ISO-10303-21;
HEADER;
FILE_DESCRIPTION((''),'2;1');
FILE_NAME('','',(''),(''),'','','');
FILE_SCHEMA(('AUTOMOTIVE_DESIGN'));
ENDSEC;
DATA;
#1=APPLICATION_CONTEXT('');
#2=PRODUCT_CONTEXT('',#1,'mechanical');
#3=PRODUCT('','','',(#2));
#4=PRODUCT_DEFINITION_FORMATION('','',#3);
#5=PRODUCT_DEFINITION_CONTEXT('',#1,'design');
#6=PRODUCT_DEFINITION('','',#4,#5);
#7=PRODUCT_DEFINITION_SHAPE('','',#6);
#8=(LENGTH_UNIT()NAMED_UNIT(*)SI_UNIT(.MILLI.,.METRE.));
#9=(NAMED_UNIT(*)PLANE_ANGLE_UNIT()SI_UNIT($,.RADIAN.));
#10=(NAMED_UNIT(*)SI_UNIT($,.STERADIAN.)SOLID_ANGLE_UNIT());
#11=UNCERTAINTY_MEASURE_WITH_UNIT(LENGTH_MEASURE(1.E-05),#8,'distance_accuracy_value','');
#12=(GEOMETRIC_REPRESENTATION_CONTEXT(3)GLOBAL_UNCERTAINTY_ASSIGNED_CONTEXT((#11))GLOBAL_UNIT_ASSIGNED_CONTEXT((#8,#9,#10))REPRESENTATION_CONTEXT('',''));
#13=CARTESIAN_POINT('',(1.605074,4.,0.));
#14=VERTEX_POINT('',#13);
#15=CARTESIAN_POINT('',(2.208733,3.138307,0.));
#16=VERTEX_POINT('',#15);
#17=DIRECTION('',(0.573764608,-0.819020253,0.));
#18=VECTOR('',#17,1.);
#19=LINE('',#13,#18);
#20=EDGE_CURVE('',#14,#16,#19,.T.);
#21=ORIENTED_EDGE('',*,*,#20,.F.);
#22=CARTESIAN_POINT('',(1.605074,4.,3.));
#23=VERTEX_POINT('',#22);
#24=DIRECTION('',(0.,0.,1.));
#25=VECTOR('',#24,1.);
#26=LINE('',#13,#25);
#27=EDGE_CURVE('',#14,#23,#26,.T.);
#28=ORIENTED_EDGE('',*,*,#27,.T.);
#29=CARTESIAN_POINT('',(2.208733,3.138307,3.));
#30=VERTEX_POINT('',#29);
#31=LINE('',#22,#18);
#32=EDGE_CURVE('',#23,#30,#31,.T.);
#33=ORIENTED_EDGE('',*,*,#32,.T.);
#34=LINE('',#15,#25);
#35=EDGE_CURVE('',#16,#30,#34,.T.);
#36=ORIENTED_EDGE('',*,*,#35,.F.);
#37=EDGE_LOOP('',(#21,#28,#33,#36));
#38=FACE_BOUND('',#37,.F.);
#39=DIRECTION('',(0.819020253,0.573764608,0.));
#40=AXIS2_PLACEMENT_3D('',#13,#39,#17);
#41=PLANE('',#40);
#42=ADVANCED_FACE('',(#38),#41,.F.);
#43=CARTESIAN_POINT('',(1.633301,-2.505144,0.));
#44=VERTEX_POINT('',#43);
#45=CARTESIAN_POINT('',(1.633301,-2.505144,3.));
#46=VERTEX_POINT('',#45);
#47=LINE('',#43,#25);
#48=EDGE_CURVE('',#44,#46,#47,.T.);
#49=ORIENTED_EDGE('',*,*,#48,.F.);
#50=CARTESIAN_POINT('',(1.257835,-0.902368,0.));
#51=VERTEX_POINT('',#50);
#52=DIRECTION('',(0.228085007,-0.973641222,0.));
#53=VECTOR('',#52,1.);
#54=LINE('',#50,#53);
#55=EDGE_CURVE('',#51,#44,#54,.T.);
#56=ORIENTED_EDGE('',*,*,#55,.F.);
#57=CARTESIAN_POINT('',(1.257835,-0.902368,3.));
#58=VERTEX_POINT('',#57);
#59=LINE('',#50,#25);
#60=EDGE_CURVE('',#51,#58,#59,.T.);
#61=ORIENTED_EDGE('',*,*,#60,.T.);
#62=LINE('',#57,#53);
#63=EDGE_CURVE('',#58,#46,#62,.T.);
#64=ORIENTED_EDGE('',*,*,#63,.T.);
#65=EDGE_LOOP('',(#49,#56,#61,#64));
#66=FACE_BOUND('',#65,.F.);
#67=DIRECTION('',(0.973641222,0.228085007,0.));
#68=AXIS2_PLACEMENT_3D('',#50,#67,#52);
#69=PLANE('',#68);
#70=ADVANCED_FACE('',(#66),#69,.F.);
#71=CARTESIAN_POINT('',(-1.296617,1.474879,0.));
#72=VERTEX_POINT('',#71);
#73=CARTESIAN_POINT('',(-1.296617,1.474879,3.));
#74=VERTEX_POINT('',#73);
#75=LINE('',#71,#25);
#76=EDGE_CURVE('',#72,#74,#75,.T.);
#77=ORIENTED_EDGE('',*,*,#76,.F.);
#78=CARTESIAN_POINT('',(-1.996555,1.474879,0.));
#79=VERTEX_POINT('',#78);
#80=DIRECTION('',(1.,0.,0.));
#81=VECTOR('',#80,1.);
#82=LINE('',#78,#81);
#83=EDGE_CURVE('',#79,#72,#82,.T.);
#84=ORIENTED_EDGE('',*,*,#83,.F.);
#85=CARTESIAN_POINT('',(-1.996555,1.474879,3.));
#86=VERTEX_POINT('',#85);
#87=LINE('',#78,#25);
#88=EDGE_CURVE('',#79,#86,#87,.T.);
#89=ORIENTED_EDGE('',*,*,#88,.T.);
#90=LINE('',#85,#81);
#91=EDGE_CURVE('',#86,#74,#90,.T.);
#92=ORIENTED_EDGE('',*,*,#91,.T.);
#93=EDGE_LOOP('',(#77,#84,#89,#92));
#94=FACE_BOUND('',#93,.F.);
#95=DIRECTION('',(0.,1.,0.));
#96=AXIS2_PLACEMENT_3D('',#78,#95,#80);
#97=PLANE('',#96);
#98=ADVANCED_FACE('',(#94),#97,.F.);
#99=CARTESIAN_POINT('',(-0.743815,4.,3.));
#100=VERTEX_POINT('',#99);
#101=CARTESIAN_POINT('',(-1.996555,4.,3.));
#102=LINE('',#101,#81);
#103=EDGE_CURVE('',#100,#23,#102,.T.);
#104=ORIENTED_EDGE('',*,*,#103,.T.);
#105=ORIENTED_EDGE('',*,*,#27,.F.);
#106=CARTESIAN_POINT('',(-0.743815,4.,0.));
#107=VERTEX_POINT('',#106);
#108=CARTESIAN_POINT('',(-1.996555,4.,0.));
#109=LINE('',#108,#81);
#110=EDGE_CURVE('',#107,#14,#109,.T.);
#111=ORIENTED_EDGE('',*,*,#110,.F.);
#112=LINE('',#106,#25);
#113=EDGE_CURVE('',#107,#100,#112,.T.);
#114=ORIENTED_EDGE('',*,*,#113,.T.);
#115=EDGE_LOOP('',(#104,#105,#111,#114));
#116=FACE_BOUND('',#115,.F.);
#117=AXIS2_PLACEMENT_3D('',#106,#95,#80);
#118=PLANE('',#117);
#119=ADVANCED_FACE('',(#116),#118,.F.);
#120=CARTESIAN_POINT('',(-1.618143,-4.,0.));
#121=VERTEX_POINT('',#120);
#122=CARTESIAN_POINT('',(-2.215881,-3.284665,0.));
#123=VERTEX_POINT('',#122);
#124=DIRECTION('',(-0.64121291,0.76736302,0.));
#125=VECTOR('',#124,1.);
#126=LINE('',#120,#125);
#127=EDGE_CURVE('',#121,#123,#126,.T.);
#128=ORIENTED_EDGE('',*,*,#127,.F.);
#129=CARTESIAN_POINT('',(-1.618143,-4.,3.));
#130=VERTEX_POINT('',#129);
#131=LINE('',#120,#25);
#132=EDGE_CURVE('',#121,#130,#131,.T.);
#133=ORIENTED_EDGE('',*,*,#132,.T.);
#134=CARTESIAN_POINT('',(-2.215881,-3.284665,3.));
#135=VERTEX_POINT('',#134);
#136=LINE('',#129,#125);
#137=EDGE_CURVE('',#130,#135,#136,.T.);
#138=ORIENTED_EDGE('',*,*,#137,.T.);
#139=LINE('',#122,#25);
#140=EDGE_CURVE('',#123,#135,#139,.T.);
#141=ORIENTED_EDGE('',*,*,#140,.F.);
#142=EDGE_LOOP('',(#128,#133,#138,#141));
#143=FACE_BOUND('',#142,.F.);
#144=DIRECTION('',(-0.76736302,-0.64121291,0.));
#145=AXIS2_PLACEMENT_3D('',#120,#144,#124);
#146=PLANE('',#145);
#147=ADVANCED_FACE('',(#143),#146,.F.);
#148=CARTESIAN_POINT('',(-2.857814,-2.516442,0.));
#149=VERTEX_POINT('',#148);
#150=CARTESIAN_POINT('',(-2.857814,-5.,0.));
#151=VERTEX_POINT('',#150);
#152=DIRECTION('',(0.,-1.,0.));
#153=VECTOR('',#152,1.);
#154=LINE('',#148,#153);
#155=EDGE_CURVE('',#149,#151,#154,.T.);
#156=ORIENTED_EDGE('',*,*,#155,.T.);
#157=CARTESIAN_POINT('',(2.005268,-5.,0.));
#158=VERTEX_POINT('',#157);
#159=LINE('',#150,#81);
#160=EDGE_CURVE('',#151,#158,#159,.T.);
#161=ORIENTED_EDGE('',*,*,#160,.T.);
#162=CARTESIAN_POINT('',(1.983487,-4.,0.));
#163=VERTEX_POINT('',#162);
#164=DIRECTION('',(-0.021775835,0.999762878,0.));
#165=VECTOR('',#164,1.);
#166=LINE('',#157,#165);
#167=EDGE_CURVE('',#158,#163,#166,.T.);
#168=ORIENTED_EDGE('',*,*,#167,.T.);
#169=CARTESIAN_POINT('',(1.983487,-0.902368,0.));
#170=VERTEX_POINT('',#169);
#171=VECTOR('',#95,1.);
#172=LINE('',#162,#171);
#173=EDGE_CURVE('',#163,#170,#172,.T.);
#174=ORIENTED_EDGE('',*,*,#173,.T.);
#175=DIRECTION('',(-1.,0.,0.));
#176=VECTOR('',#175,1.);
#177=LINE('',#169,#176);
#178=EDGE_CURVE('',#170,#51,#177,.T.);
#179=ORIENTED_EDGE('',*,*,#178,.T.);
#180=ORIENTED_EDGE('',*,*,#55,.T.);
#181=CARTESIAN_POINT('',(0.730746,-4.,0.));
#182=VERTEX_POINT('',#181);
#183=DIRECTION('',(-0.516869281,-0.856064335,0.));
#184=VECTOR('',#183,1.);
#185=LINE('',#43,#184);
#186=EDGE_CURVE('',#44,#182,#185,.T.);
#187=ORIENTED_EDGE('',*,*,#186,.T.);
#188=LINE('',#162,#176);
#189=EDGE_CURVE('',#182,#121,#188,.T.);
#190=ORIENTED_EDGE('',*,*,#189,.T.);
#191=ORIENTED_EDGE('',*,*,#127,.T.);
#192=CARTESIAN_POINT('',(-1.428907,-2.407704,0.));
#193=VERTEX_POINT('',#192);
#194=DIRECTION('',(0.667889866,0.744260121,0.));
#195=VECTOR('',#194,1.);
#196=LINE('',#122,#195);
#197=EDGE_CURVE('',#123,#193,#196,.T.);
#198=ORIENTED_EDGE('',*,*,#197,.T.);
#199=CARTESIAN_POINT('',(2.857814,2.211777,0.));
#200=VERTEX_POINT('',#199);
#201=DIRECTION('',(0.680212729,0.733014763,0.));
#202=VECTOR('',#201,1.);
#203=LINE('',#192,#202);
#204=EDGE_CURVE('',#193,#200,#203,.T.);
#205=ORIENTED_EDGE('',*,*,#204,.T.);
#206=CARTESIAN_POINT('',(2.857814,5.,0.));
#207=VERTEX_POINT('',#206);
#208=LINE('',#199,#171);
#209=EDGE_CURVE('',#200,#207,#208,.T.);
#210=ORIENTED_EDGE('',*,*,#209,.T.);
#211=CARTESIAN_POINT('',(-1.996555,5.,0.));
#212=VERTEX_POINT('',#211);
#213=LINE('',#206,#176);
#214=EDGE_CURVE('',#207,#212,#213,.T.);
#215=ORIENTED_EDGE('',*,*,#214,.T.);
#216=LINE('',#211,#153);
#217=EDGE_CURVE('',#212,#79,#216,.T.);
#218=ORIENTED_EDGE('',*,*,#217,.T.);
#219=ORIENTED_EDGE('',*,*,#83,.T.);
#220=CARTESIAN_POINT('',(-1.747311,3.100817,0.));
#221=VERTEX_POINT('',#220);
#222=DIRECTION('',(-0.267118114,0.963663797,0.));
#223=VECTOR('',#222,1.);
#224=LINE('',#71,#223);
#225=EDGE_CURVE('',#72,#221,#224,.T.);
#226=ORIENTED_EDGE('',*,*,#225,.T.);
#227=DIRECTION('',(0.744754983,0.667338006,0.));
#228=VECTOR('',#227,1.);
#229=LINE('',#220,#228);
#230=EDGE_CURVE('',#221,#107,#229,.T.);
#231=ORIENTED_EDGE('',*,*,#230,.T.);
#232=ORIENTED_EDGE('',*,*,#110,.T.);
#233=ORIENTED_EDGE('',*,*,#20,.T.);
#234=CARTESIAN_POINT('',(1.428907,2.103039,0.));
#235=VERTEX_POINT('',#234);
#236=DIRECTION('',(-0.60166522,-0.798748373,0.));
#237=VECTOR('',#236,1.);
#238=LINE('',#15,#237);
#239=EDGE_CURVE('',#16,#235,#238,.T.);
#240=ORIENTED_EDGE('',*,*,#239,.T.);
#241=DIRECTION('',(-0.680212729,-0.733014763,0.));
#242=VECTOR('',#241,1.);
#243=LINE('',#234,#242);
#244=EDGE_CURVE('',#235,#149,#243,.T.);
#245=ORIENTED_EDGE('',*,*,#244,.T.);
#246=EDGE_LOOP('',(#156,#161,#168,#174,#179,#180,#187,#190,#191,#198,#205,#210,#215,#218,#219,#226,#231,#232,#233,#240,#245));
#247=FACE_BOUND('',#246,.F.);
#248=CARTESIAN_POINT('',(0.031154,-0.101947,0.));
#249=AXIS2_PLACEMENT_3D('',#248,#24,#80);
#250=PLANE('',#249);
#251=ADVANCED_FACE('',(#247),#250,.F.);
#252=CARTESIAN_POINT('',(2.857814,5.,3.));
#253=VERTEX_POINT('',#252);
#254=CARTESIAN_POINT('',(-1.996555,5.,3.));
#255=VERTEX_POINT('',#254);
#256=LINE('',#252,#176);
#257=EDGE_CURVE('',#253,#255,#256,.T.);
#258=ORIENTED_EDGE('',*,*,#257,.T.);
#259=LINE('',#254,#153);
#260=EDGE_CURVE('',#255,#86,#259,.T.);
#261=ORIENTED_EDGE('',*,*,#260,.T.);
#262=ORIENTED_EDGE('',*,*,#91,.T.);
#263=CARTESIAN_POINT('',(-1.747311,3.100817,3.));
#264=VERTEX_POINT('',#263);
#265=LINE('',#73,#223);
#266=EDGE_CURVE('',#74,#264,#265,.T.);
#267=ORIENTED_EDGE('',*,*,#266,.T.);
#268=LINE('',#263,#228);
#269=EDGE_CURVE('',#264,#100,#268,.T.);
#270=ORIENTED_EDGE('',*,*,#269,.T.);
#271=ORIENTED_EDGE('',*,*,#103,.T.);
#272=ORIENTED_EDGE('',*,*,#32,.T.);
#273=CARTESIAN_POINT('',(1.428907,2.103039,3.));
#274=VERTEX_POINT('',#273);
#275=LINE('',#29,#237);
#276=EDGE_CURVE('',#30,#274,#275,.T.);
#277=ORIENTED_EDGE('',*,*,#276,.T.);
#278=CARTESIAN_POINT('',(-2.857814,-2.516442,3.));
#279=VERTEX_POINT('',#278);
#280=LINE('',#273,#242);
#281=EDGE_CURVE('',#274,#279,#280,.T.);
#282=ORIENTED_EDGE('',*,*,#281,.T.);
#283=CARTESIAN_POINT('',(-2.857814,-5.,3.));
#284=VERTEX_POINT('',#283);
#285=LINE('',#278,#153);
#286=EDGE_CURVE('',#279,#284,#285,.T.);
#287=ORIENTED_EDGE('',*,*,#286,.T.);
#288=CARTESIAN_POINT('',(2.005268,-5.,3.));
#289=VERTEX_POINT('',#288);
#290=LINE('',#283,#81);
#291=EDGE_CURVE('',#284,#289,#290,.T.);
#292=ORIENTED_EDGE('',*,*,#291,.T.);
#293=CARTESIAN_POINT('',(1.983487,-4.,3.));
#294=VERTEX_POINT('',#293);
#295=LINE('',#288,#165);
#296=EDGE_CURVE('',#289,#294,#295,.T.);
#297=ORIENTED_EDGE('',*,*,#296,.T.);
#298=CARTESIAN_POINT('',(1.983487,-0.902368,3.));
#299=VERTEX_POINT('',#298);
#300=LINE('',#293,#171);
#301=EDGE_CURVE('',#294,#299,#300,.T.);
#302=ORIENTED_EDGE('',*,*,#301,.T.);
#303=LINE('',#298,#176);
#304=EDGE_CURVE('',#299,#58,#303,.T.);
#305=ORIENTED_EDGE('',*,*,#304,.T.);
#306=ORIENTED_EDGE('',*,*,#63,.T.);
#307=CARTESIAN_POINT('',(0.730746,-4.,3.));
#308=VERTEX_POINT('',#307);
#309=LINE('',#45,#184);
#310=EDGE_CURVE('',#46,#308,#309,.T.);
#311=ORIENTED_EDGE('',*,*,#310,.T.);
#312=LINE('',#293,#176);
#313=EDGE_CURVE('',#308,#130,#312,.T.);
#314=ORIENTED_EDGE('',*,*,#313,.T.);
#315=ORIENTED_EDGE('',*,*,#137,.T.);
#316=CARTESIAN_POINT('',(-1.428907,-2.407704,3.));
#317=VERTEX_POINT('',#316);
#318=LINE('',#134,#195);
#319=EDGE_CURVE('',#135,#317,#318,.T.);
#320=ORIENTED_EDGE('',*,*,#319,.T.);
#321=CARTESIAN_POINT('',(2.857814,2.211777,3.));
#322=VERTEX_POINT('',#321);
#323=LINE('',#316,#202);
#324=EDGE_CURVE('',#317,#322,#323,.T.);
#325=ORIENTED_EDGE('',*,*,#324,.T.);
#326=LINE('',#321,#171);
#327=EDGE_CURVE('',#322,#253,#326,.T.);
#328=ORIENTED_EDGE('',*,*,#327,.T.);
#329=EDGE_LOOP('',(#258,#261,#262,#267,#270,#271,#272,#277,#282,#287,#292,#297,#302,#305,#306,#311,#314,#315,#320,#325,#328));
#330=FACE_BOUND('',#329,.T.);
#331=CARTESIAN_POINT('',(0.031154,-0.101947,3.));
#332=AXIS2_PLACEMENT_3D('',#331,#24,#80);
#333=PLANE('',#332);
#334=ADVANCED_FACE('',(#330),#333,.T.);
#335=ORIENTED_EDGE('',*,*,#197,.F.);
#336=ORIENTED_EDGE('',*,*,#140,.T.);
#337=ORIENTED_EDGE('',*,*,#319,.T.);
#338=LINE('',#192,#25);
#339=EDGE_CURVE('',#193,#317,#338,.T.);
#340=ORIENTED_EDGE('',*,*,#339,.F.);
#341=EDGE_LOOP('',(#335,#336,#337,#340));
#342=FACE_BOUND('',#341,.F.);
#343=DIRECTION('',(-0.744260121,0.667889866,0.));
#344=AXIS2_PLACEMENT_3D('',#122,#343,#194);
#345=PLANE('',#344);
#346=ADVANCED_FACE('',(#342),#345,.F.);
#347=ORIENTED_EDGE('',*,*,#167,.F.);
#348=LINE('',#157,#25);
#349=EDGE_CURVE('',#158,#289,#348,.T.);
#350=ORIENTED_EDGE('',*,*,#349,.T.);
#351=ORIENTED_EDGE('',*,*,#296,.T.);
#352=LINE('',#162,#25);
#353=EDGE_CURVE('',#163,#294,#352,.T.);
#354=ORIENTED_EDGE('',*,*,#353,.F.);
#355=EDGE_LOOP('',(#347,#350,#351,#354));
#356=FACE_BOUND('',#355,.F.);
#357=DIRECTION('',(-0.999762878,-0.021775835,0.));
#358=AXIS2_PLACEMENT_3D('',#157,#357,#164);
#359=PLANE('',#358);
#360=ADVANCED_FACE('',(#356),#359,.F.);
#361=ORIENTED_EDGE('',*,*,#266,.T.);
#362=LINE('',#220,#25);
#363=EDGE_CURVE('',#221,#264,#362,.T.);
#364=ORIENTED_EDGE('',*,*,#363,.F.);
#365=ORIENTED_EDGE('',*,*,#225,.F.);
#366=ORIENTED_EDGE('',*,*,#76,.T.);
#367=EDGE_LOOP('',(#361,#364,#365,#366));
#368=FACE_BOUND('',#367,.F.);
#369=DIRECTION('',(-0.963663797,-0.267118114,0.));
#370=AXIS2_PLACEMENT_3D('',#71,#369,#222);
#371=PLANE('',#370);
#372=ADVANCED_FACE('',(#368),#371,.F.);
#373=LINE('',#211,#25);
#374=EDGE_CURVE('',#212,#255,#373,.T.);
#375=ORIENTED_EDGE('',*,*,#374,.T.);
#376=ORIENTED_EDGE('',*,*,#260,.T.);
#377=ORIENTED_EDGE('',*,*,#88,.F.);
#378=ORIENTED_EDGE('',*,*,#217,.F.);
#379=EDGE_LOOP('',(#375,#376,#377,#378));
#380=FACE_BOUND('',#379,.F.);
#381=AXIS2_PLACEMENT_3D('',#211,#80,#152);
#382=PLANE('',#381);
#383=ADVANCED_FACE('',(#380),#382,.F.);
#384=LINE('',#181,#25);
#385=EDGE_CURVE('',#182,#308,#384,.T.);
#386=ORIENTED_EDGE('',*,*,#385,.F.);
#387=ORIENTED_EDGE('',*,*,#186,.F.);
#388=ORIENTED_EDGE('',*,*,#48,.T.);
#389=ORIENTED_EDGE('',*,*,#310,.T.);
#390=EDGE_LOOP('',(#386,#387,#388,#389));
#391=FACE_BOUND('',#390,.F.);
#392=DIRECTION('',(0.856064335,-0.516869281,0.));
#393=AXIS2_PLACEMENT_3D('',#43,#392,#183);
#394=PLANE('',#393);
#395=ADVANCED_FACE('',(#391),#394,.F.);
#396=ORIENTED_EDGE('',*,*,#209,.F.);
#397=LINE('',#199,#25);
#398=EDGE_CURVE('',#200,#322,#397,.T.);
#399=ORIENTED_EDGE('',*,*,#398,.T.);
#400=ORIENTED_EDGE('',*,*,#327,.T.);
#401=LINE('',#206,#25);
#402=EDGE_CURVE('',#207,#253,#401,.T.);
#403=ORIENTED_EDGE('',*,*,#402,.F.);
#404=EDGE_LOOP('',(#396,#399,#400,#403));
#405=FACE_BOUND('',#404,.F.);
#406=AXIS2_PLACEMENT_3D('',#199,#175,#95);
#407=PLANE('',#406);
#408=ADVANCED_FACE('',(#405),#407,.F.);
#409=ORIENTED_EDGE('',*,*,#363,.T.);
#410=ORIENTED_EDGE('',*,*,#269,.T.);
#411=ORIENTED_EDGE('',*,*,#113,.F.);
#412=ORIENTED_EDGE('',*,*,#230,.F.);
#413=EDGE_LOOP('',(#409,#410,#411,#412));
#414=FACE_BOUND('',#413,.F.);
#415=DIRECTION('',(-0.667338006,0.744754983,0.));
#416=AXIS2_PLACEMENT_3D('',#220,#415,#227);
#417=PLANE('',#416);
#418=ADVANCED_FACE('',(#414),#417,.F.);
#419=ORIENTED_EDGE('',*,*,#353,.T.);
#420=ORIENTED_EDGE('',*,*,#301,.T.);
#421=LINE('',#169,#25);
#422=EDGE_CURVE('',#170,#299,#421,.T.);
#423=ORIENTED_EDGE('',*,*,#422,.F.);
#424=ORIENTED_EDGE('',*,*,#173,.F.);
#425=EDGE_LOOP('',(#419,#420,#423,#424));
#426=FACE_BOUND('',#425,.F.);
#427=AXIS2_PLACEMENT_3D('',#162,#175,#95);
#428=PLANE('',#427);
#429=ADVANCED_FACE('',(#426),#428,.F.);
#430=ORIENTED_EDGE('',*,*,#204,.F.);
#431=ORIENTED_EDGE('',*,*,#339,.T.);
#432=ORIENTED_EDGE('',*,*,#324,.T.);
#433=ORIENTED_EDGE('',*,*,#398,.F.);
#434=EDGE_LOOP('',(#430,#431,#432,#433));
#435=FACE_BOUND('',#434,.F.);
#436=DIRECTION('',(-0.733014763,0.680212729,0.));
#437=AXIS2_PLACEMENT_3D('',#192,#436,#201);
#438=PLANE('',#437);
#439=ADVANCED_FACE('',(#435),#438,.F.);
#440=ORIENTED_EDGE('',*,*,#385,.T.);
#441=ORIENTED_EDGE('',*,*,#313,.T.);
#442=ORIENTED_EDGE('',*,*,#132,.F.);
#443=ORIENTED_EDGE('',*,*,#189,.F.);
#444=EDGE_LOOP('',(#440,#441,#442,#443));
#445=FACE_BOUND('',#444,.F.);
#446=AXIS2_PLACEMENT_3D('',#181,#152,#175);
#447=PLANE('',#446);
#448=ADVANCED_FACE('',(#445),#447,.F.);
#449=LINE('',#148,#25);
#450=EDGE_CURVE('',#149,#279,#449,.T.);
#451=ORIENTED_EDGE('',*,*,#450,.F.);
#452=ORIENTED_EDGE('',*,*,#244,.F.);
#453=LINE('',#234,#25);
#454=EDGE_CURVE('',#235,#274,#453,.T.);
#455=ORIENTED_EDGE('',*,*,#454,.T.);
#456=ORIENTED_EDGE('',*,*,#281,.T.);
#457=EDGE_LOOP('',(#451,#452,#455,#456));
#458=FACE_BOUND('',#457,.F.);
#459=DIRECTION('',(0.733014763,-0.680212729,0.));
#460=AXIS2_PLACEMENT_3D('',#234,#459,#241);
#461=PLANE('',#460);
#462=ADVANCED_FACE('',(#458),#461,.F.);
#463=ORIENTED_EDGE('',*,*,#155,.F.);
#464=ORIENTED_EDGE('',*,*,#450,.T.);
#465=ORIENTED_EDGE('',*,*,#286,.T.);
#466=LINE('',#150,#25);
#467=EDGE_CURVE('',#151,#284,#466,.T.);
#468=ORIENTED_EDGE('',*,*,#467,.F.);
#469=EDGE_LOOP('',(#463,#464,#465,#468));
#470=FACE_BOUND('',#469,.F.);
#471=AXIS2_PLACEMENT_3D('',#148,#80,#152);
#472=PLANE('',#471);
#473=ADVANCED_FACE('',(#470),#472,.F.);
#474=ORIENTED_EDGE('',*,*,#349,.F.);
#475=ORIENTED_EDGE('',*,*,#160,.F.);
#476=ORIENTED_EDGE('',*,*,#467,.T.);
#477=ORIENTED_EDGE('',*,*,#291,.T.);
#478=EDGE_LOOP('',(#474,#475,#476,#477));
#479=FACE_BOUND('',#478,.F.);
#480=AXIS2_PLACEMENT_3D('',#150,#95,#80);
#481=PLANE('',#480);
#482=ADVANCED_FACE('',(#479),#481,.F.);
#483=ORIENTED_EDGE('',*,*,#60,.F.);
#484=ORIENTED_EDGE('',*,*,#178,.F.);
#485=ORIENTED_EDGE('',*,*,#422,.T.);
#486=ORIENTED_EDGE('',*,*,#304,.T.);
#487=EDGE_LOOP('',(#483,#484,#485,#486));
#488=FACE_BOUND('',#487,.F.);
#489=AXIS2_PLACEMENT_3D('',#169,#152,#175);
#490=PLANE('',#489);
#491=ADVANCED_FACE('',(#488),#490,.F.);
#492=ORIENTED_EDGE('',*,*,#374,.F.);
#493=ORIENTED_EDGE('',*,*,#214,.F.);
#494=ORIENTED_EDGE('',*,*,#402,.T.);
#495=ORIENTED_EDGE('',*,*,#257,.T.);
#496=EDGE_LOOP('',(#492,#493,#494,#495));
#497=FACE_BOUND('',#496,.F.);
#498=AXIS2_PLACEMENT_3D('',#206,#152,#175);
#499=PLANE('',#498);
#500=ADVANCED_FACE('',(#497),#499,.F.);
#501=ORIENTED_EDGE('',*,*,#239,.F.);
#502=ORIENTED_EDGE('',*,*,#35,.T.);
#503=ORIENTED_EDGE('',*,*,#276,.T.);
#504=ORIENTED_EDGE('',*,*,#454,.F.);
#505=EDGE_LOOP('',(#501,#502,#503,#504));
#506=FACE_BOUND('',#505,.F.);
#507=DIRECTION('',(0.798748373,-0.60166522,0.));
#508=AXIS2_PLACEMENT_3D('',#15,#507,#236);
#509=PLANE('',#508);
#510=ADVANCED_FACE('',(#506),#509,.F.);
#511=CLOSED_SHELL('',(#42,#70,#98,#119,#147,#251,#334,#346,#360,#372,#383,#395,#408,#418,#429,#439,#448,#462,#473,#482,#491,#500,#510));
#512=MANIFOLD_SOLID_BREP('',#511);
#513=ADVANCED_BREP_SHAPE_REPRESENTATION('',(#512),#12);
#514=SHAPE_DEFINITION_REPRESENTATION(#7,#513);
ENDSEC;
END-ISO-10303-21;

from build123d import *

# Parameters (mm, degrees)
F1_DEPTH = 3


with BuildPart() as f1:
    # F0 (on Top) → F1 (new body)
    with BuildSketch(Plane.XY):
        Polygon((-1.428907, -2.407704), (2.857814, 2.211777), (2.208733, 3.138307), (1.428907, 2.103039), (-2.857814, -2.516442), (-2.215881, -3.284665), align=None)
        Polygon((-2.857814, -4), (-2.215881, -3.284665), (-2.857814, -2.516442), align=None)
        Polygon((0.730746, -4), (-1.618143, -4), (-2.857814, -4), (-2.857814, -5), (2.005268, -5), (1.983487, -4), align=None)
        Polygon((1.633301, -2.505144), (1.983487, -4), (1.983487, -1.925149), align=None)
        Polygon((1.633301, -2.505144), (0.730746, -4), (1.983487, -4), align=None)
        Polygon((1.605074, 4), (2.857814, 4), (2.857814, 5), (-1.996555, 5), (-1.996555, 4), (-0.743815, 4), align=None)
        Polygon((-1.747311, 3.100817), (-1.996555, 4), (-1.996555, 2.877482), align=None)
        Polygon((-1.296617, 1.474879), (-1.747311, 3.100817), (-1.996555, 2.877482), (-1.996555, 1.474879), align=None)
        Polygon((-1.747311, 3.100817), (-0.743815, 4), (-1.996555, 4), align=None)
        Polygon((1.257835, -0.902368), (1.633301, -2.505144), (1.983487, -1.925149), (1.983487, -0.902368), align=None)
        Polygon((2.208733, 3.138307), (2.857814, 2.211777), (2.857814, 4), align=None)
        Polygon((-1.618143, -4), (-2.215881, -3.284665), (-2.857814, -4), align=None)
        Polygon((2.208733, 3.138307), (2.857814, 4), (1.605074, 4), align=None)
    extrude(amount=F1_DEPTH)


solid = f1.part
